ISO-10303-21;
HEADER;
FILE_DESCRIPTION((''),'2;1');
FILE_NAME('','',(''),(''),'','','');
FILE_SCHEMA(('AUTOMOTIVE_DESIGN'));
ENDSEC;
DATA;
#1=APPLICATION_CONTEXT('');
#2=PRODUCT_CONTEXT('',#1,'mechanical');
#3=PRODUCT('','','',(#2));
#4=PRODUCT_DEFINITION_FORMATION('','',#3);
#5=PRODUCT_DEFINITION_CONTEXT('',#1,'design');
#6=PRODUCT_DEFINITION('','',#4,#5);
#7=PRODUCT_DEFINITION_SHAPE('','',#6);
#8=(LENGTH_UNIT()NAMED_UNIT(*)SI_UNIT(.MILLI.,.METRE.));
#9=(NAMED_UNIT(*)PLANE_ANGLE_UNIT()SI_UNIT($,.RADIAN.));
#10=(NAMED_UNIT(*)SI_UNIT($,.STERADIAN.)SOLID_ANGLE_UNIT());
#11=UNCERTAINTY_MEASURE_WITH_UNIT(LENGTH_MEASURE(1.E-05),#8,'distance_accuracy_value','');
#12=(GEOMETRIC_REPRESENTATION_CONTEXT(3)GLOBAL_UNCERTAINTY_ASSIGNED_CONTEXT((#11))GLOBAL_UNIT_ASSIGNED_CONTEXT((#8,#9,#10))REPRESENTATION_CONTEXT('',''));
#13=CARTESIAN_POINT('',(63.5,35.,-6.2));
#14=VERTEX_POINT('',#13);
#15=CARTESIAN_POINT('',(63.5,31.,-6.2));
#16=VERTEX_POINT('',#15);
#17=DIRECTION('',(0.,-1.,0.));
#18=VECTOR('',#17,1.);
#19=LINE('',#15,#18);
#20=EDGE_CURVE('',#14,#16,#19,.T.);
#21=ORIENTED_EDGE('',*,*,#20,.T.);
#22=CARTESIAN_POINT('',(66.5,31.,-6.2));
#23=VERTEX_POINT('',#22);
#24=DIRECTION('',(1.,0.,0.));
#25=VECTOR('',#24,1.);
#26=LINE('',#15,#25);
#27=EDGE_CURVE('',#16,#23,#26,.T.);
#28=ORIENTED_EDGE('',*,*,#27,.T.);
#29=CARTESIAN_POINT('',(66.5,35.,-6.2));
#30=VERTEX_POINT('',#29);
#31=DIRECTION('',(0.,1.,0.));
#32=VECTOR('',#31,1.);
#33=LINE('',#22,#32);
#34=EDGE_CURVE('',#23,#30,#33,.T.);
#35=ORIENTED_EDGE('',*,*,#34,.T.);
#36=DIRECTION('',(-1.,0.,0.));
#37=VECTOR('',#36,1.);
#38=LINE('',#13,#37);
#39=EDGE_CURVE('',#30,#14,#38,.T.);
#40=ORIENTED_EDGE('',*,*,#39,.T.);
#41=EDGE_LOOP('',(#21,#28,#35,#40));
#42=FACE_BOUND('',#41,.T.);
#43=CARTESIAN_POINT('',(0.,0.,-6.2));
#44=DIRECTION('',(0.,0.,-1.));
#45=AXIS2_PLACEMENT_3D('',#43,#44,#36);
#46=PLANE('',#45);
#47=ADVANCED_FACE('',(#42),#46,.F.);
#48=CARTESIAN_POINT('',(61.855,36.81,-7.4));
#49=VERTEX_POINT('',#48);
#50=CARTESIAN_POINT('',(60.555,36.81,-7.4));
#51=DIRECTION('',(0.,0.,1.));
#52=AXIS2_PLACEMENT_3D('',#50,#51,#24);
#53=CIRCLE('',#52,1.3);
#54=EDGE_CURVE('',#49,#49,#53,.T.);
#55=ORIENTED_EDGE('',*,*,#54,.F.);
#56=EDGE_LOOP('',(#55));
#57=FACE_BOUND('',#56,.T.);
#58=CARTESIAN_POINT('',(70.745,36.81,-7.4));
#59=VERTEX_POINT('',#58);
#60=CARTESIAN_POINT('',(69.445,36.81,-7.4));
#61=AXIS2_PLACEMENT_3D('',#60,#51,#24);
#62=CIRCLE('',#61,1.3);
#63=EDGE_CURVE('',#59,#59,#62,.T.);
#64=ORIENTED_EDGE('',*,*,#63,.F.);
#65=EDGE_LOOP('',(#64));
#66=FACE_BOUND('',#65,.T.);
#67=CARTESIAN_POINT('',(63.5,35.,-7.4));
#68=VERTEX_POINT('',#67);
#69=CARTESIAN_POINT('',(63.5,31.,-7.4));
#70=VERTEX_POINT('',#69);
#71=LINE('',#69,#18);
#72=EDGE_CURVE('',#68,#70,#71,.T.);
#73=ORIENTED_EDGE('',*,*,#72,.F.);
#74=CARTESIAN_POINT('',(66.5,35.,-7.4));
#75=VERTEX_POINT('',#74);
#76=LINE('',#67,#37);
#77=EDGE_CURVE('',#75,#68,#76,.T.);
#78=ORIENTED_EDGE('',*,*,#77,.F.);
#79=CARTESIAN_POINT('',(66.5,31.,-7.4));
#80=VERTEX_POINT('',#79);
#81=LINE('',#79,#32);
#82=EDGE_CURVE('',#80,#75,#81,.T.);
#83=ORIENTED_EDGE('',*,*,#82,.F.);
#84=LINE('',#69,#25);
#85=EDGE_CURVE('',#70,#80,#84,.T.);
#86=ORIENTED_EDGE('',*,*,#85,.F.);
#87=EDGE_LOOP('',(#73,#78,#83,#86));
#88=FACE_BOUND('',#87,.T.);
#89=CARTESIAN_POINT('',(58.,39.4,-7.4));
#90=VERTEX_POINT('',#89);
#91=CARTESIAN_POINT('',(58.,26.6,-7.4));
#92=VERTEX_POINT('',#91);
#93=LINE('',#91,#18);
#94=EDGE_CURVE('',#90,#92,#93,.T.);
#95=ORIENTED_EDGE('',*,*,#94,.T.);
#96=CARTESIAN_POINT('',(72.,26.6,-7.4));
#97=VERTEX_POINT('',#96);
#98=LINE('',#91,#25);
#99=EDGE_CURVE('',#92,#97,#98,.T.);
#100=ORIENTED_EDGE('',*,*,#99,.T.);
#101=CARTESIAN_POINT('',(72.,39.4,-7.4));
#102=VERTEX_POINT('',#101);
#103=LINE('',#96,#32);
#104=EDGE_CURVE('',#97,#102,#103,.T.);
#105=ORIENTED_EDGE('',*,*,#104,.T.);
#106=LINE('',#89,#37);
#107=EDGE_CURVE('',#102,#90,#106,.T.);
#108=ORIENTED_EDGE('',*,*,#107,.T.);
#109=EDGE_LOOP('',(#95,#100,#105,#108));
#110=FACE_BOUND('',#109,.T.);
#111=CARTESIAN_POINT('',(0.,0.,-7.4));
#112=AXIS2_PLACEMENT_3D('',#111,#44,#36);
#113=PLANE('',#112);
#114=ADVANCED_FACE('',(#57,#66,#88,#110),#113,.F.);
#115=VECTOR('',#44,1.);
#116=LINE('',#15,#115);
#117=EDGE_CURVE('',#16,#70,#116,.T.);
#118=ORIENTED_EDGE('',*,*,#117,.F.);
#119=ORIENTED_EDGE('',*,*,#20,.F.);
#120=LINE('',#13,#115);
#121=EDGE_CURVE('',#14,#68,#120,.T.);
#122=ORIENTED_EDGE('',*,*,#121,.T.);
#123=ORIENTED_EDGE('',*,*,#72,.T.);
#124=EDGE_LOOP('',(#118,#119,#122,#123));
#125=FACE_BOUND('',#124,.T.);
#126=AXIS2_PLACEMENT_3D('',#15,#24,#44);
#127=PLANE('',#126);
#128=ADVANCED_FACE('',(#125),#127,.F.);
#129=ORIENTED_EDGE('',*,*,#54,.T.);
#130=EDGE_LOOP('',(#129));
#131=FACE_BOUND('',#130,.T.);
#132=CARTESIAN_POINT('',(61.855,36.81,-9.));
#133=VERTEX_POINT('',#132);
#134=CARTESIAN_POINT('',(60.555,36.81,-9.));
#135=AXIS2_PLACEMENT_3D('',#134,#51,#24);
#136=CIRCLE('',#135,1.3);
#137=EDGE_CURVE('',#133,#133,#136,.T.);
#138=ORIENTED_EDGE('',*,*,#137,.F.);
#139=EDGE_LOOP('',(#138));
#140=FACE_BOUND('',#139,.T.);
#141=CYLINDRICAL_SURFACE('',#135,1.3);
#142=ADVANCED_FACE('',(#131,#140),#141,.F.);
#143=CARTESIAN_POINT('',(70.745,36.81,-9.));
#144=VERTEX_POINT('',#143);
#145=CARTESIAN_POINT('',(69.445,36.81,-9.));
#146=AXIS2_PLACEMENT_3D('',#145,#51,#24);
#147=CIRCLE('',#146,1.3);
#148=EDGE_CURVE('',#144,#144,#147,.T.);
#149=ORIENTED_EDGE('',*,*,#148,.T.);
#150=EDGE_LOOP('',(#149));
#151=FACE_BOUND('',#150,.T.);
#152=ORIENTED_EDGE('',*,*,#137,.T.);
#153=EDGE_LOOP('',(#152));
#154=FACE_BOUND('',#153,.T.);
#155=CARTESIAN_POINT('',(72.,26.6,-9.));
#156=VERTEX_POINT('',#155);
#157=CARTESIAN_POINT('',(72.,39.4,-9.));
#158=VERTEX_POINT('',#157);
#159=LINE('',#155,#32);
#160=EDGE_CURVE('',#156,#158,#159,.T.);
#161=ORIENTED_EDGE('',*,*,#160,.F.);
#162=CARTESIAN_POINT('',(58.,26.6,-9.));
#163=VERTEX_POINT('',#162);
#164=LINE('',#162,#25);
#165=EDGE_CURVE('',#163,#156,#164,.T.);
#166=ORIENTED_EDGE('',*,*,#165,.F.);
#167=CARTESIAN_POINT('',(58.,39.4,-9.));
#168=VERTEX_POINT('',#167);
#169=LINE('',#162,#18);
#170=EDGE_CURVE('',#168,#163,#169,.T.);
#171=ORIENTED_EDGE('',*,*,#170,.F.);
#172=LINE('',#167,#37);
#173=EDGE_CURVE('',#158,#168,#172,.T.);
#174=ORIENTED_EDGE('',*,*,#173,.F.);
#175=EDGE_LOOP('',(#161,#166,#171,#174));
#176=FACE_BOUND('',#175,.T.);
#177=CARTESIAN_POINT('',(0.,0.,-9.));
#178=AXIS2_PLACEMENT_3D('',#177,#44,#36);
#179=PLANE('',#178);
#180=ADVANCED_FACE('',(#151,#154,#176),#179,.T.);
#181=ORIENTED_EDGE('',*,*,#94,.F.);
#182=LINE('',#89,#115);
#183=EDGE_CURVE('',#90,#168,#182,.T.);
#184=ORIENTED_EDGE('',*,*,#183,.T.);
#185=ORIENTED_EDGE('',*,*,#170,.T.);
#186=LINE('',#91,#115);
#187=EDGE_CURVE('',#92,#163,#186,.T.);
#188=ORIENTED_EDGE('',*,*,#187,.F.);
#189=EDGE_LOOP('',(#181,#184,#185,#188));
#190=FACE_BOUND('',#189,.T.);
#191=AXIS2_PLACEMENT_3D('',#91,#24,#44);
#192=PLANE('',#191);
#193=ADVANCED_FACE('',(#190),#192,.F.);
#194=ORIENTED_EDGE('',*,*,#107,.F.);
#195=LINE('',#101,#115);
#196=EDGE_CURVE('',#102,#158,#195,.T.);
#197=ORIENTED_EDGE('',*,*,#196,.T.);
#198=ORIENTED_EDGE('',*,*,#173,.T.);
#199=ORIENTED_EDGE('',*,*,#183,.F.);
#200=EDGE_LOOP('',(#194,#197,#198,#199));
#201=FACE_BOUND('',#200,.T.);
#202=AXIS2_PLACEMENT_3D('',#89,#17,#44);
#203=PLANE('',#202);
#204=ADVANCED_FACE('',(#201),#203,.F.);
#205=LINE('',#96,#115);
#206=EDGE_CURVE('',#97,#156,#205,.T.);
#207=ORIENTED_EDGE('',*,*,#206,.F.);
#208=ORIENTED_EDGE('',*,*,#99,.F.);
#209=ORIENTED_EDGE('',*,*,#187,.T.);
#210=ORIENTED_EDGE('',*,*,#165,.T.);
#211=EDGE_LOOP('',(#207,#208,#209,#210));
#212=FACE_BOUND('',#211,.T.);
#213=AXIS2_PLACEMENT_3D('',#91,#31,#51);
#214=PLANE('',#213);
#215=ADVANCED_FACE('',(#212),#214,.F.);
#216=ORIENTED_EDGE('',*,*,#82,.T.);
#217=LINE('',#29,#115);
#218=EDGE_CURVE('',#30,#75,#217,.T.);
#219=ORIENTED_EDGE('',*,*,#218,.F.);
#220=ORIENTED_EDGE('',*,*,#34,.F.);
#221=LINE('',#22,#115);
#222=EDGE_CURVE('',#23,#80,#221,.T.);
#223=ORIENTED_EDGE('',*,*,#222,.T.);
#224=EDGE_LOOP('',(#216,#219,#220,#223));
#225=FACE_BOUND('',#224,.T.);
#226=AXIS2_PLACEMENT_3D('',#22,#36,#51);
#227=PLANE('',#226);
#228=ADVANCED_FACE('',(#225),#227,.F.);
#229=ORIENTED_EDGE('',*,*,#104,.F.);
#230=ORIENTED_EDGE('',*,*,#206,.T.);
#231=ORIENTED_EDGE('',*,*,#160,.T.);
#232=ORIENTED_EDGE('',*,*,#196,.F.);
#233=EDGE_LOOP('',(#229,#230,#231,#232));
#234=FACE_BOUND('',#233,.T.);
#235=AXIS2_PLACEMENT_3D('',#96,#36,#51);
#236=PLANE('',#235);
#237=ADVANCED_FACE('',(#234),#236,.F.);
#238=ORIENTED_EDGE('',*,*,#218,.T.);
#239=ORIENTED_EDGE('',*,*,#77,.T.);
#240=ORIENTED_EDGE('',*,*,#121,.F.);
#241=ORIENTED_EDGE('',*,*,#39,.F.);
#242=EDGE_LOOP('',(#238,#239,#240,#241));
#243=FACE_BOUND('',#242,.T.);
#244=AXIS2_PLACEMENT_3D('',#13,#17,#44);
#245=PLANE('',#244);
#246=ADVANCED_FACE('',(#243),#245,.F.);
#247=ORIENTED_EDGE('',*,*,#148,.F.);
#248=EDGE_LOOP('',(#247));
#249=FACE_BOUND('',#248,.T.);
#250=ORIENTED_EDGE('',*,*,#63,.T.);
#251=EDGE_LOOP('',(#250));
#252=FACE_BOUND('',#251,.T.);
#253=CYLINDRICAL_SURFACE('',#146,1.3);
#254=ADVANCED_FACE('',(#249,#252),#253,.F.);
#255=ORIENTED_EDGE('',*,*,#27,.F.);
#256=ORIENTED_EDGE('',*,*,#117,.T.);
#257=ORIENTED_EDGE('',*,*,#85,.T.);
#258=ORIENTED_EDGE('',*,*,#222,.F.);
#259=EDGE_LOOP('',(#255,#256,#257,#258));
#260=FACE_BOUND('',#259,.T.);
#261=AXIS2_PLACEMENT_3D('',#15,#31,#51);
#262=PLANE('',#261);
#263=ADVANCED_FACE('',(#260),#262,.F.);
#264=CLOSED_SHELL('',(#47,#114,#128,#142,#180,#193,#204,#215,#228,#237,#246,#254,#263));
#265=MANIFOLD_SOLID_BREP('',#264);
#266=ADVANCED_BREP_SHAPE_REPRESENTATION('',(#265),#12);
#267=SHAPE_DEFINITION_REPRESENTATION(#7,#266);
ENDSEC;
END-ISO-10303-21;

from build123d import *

# Parameters (mm, degrees)
V10_MIC_14X12P8_PCB_START               = -9
SKETCH_4_W                              = 14
SKETCH_4_H                              = 12.8
V10_MIC_14X12P8_PCB_DEPTH               = 1.6
V10_MIC_SOUND_PACKAGE_FACING_LID_START  = -7.4
SKETCH_5_W                              = 3
SKETCH_5_H                              = 4
V10_MIC_SOUND_PACKAGE_FACING_LID_DEPTH  = 1.2
SKETCH_6_R                              = 1.3
V10_MIC_REFERENCE_HOLES_PITCH8P89_DEPTH = 1.6


with BuildPart() as part:
    # 草图4 → V10_MIC_14x12p8_pcb (new body)
    with BuildSketch(Plane.XY.offset(V10_MIC_14X12P8_PCB_START)):
        with Locations((65, 33)):
            Rectangle(SKETCH_4_W, SKETCH_4_H)
    extrude(amount=V10_MIC_14X12P8_PCB_DEPTH)

    # 草图5 → V10_MIC_sound_package_facing_lid (add)
    with BuildSketch(Plane.XY.offset(V10_MIC_SOUND_PACKAGE_FACING_LID_START)):
        with Locations((65, 33)):
            Rectangle(SKETCH_5_W, SKETCH_5_H)
    extrude(amount=V10_MIC_SOUND_PACKAGE_FACING_LID_DEPTH)

    # 草图6 → V10_MIC_reference_holes_pitch8p89 (cut)
    with BuildSketch(Plane.XY.offset(-7.4)):
        with Locations((60.555, 36.81)):
            Circle(SKETCH_6_R)
        with Locations((69.445, 36.81)):
            Circle(SKETCH_6_R)
    extrude(amount=-V10_MIC_REFERENCE_HOLES_PITCH8P89_DEPTH, mode=Mode.SUBTRACT)


solid = part.part
